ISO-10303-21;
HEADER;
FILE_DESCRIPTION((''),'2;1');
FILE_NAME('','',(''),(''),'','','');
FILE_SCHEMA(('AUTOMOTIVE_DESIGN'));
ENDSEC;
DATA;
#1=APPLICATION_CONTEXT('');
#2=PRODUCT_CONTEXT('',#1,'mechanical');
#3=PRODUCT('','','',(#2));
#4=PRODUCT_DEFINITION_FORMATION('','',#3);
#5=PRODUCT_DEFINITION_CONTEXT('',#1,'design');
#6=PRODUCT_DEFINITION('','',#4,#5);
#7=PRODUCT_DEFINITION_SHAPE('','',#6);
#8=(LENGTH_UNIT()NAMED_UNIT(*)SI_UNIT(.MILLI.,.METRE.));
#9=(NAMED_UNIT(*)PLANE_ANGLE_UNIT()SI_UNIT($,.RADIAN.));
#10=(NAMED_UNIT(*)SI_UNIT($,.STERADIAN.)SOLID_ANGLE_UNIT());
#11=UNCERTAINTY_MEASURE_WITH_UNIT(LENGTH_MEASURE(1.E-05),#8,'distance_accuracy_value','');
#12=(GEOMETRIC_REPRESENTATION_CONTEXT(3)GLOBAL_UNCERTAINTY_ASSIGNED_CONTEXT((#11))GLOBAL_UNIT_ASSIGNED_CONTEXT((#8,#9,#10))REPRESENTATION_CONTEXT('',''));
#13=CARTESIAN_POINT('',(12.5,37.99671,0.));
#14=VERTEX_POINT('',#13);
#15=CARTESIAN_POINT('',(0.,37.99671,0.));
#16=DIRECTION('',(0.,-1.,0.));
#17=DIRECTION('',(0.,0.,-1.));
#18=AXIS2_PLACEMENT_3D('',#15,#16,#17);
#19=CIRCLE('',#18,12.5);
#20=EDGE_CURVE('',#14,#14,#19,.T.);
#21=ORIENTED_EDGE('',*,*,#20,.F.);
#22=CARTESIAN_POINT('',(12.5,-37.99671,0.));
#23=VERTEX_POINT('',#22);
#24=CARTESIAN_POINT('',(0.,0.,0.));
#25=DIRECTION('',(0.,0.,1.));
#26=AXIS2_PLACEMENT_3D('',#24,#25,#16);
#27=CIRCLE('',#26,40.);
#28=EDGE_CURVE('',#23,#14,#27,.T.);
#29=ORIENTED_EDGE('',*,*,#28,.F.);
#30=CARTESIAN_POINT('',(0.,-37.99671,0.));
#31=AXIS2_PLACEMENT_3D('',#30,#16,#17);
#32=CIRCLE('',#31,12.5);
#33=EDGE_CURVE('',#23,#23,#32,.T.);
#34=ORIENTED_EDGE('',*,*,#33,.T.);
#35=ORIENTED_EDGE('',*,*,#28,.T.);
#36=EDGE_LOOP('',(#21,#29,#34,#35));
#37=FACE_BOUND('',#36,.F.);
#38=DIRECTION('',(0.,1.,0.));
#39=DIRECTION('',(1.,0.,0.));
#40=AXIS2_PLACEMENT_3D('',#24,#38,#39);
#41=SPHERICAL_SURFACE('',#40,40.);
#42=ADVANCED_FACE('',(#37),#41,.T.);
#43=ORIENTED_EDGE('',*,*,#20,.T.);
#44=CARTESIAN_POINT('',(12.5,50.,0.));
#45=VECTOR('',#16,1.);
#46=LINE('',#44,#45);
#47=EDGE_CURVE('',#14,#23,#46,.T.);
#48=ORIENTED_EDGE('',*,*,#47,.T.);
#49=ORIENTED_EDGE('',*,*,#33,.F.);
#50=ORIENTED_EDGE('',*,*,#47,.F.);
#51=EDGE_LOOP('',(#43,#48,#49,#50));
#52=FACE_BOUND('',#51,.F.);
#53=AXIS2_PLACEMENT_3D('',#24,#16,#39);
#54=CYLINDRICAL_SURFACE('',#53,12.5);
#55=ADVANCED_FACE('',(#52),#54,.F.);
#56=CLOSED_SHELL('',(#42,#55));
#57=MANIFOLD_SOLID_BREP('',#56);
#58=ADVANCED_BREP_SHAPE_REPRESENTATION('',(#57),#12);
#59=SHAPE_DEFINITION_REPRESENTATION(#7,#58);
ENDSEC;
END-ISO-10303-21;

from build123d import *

# Parameters (mm, degrees)
F2_R     = 12.5
F3_DEPTH = 50


with BuildPart() as f1:
    # F0 (on Top) → F1 (revolve)
    with BuildSketch(Plane.XY):
        with BuildLine():
            Line((0, 40), (0, -40))
            ThreePointArc((0, -40), (40, 0), (0, 40))
        make_face()
    revolve(axis=Axis((0, 0, 0), (0, -1, 0)))

    # F2 (on Front) → F3 (cut, symmetric)
    with BuildSketch(Plane.XZ):
        Circle(F2_R)
    extrude(amount=F3_DEPTH, both=True, mode=Mode.SUBTRACT)


solid = f1.part
